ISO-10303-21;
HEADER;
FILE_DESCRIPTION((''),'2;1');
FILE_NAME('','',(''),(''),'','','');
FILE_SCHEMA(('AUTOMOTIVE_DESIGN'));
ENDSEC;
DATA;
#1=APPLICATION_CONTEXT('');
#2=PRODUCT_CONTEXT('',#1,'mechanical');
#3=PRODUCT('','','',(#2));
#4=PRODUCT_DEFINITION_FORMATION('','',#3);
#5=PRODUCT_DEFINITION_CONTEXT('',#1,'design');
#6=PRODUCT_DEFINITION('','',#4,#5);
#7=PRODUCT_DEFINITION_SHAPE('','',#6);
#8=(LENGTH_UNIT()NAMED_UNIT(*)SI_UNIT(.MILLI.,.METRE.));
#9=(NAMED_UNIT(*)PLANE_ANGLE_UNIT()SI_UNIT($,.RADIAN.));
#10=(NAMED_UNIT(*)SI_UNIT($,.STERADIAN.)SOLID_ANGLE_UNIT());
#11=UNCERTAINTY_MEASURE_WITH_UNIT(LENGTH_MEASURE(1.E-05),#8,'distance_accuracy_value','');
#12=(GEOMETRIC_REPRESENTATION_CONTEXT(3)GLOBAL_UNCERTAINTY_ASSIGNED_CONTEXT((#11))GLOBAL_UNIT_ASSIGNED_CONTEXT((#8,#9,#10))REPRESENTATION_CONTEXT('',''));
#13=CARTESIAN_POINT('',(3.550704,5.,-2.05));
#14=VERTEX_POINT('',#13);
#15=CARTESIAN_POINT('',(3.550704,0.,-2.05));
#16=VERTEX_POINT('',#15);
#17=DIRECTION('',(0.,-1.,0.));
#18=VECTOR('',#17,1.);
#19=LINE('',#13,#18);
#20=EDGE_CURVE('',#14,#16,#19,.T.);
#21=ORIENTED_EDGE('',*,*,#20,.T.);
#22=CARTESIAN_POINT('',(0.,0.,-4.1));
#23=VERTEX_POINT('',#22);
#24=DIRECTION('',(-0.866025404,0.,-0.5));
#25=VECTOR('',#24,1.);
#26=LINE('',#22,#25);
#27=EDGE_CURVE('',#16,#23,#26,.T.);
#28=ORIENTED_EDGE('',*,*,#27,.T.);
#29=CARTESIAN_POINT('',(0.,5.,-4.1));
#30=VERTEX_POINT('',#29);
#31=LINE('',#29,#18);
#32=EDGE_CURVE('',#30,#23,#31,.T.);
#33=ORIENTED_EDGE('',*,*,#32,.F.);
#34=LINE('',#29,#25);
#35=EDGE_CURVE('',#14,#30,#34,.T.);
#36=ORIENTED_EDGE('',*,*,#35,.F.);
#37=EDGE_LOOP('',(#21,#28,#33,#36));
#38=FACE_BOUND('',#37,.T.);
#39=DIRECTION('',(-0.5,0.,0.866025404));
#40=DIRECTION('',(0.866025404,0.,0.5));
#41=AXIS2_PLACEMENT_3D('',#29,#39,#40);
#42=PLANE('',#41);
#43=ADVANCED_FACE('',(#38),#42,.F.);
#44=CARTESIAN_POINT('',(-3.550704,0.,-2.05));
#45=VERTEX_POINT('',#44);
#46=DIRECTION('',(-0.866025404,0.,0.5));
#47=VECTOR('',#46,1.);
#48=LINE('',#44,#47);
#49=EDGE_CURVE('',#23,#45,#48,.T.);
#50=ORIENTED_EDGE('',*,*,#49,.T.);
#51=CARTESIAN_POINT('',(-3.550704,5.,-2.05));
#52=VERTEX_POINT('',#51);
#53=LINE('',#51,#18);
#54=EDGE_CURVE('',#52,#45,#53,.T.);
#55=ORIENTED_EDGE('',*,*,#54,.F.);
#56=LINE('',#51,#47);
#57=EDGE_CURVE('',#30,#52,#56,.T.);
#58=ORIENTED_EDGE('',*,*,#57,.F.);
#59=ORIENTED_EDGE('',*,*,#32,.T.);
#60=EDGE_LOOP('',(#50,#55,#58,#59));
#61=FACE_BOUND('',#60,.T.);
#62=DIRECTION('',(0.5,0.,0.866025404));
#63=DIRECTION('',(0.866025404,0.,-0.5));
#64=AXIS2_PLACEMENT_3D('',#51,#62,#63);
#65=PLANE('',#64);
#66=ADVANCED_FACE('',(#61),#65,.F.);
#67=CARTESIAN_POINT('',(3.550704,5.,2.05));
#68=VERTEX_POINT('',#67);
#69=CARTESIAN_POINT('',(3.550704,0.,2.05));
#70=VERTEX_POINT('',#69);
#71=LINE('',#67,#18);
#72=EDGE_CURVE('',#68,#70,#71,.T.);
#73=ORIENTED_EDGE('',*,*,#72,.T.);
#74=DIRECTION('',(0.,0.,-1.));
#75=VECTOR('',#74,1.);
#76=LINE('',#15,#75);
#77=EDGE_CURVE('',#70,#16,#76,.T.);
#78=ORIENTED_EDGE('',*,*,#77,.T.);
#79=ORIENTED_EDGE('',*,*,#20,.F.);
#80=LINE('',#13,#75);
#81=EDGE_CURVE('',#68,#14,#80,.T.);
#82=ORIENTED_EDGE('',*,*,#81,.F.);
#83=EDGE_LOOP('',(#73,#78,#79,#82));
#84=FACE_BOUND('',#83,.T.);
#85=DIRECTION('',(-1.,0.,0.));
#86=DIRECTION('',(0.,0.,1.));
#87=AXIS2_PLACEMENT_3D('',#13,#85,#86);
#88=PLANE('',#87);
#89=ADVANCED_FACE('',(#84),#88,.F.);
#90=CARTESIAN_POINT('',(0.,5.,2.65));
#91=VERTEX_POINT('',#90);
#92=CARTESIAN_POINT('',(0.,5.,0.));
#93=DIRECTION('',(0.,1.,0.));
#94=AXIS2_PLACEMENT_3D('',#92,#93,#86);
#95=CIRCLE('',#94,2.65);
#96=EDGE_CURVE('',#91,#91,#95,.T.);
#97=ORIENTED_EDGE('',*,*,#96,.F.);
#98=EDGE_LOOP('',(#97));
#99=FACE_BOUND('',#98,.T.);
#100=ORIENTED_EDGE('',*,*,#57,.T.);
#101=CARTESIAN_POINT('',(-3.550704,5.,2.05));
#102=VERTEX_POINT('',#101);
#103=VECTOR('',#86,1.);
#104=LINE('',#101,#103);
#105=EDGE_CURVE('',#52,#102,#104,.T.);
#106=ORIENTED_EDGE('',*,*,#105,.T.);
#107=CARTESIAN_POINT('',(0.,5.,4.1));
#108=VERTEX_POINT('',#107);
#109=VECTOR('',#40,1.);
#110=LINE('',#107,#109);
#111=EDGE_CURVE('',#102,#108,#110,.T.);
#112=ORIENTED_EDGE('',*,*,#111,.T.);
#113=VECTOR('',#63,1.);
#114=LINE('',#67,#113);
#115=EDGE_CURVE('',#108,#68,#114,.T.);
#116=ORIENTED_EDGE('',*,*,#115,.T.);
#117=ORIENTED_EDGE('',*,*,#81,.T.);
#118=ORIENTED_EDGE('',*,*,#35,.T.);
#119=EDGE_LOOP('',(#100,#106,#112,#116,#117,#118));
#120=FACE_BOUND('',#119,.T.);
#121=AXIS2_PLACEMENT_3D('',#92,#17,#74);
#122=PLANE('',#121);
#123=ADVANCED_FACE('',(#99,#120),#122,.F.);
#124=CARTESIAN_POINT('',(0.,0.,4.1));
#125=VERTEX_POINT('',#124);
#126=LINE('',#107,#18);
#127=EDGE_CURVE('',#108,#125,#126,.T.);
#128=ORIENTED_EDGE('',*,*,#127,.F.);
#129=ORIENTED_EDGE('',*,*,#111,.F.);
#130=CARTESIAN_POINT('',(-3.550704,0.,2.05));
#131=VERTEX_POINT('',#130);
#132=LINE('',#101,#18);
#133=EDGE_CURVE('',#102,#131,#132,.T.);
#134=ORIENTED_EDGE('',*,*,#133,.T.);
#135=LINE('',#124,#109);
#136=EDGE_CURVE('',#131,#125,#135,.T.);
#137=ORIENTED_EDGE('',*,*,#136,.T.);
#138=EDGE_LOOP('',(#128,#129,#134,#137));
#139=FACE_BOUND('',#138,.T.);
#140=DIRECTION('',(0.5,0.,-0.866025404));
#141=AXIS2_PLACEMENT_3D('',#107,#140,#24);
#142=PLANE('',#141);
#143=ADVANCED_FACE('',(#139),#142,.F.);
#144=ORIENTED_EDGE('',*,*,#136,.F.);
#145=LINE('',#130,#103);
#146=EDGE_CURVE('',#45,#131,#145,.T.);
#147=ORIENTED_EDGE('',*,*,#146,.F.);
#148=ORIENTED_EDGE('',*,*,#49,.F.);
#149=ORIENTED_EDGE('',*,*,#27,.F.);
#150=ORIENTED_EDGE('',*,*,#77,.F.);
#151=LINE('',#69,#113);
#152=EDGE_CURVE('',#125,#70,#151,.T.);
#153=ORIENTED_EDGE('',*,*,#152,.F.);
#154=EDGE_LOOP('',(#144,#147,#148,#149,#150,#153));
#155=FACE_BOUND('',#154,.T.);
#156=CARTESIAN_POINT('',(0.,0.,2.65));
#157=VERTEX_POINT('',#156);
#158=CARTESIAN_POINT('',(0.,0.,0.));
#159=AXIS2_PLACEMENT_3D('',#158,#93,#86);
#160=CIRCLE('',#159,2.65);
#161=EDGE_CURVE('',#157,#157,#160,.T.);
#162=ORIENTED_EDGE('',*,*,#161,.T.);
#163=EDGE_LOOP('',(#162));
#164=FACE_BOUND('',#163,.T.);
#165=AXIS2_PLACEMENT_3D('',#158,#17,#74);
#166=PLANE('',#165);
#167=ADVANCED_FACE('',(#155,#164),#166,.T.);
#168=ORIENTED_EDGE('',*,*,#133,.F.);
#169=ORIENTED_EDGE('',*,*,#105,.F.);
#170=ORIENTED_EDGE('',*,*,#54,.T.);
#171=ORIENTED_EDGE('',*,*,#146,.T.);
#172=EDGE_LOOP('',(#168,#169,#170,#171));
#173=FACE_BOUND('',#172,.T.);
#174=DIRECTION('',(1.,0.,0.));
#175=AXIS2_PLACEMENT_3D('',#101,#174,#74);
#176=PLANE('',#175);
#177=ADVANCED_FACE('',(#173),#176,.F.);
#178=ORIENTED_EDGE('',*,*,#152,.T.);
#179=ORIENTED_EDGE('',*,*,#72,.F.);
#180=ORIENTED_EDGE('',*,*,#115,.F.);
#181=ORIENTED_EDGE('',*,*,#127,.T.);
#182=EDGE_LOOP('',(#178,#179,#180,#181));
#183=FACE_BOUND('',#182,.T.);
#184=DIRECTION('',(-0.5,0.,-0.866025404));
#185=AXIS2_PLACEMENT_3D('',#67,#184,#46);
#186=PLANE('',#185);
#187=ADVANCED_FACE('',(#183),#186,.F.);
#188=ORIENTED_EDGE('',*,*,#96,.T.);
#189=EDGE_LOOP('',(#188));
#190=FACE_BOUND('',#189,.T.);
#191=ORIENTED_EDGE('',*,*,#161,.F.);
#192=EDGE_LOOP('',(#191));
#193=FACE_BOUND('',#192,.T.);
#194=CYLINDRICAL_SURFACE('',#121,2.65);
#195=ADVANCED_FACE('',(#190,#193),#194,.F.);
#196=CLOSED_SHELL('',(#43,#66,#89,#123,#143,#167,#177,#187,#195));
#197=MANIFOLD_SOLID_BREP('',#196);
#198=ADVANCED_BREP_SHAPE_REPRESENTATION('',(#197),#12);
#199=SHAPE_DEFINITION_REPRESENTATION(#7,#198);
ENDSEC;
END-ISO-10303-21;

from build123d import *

# Parameters (mm, degrees)
SKETCH2_R           = 2.65
BOSS_EXTRUDE1_DEPTH = 5


with BuildPart() as part:
    # Sketch2 → Boss-Extrude1 (new body)
    with BuildSketch(Plane(origin=(0, 0, 0), x_dir=(1, 0, 0), z_dir=(0, 1, 0))):
        Polygon((-3.550704156, 2.05), (0, 4.1), (3.550704156, 2.05), (3.550704156, -2.05), (0, -4.1), (-3.550704156, -2.05), align=None)
        Circle(SKETCH2_R, mode=Mode.SUBTRACT)
    extrude(amount=BOSS_EXTRUDE1_DEPTH)


solid = part.part
